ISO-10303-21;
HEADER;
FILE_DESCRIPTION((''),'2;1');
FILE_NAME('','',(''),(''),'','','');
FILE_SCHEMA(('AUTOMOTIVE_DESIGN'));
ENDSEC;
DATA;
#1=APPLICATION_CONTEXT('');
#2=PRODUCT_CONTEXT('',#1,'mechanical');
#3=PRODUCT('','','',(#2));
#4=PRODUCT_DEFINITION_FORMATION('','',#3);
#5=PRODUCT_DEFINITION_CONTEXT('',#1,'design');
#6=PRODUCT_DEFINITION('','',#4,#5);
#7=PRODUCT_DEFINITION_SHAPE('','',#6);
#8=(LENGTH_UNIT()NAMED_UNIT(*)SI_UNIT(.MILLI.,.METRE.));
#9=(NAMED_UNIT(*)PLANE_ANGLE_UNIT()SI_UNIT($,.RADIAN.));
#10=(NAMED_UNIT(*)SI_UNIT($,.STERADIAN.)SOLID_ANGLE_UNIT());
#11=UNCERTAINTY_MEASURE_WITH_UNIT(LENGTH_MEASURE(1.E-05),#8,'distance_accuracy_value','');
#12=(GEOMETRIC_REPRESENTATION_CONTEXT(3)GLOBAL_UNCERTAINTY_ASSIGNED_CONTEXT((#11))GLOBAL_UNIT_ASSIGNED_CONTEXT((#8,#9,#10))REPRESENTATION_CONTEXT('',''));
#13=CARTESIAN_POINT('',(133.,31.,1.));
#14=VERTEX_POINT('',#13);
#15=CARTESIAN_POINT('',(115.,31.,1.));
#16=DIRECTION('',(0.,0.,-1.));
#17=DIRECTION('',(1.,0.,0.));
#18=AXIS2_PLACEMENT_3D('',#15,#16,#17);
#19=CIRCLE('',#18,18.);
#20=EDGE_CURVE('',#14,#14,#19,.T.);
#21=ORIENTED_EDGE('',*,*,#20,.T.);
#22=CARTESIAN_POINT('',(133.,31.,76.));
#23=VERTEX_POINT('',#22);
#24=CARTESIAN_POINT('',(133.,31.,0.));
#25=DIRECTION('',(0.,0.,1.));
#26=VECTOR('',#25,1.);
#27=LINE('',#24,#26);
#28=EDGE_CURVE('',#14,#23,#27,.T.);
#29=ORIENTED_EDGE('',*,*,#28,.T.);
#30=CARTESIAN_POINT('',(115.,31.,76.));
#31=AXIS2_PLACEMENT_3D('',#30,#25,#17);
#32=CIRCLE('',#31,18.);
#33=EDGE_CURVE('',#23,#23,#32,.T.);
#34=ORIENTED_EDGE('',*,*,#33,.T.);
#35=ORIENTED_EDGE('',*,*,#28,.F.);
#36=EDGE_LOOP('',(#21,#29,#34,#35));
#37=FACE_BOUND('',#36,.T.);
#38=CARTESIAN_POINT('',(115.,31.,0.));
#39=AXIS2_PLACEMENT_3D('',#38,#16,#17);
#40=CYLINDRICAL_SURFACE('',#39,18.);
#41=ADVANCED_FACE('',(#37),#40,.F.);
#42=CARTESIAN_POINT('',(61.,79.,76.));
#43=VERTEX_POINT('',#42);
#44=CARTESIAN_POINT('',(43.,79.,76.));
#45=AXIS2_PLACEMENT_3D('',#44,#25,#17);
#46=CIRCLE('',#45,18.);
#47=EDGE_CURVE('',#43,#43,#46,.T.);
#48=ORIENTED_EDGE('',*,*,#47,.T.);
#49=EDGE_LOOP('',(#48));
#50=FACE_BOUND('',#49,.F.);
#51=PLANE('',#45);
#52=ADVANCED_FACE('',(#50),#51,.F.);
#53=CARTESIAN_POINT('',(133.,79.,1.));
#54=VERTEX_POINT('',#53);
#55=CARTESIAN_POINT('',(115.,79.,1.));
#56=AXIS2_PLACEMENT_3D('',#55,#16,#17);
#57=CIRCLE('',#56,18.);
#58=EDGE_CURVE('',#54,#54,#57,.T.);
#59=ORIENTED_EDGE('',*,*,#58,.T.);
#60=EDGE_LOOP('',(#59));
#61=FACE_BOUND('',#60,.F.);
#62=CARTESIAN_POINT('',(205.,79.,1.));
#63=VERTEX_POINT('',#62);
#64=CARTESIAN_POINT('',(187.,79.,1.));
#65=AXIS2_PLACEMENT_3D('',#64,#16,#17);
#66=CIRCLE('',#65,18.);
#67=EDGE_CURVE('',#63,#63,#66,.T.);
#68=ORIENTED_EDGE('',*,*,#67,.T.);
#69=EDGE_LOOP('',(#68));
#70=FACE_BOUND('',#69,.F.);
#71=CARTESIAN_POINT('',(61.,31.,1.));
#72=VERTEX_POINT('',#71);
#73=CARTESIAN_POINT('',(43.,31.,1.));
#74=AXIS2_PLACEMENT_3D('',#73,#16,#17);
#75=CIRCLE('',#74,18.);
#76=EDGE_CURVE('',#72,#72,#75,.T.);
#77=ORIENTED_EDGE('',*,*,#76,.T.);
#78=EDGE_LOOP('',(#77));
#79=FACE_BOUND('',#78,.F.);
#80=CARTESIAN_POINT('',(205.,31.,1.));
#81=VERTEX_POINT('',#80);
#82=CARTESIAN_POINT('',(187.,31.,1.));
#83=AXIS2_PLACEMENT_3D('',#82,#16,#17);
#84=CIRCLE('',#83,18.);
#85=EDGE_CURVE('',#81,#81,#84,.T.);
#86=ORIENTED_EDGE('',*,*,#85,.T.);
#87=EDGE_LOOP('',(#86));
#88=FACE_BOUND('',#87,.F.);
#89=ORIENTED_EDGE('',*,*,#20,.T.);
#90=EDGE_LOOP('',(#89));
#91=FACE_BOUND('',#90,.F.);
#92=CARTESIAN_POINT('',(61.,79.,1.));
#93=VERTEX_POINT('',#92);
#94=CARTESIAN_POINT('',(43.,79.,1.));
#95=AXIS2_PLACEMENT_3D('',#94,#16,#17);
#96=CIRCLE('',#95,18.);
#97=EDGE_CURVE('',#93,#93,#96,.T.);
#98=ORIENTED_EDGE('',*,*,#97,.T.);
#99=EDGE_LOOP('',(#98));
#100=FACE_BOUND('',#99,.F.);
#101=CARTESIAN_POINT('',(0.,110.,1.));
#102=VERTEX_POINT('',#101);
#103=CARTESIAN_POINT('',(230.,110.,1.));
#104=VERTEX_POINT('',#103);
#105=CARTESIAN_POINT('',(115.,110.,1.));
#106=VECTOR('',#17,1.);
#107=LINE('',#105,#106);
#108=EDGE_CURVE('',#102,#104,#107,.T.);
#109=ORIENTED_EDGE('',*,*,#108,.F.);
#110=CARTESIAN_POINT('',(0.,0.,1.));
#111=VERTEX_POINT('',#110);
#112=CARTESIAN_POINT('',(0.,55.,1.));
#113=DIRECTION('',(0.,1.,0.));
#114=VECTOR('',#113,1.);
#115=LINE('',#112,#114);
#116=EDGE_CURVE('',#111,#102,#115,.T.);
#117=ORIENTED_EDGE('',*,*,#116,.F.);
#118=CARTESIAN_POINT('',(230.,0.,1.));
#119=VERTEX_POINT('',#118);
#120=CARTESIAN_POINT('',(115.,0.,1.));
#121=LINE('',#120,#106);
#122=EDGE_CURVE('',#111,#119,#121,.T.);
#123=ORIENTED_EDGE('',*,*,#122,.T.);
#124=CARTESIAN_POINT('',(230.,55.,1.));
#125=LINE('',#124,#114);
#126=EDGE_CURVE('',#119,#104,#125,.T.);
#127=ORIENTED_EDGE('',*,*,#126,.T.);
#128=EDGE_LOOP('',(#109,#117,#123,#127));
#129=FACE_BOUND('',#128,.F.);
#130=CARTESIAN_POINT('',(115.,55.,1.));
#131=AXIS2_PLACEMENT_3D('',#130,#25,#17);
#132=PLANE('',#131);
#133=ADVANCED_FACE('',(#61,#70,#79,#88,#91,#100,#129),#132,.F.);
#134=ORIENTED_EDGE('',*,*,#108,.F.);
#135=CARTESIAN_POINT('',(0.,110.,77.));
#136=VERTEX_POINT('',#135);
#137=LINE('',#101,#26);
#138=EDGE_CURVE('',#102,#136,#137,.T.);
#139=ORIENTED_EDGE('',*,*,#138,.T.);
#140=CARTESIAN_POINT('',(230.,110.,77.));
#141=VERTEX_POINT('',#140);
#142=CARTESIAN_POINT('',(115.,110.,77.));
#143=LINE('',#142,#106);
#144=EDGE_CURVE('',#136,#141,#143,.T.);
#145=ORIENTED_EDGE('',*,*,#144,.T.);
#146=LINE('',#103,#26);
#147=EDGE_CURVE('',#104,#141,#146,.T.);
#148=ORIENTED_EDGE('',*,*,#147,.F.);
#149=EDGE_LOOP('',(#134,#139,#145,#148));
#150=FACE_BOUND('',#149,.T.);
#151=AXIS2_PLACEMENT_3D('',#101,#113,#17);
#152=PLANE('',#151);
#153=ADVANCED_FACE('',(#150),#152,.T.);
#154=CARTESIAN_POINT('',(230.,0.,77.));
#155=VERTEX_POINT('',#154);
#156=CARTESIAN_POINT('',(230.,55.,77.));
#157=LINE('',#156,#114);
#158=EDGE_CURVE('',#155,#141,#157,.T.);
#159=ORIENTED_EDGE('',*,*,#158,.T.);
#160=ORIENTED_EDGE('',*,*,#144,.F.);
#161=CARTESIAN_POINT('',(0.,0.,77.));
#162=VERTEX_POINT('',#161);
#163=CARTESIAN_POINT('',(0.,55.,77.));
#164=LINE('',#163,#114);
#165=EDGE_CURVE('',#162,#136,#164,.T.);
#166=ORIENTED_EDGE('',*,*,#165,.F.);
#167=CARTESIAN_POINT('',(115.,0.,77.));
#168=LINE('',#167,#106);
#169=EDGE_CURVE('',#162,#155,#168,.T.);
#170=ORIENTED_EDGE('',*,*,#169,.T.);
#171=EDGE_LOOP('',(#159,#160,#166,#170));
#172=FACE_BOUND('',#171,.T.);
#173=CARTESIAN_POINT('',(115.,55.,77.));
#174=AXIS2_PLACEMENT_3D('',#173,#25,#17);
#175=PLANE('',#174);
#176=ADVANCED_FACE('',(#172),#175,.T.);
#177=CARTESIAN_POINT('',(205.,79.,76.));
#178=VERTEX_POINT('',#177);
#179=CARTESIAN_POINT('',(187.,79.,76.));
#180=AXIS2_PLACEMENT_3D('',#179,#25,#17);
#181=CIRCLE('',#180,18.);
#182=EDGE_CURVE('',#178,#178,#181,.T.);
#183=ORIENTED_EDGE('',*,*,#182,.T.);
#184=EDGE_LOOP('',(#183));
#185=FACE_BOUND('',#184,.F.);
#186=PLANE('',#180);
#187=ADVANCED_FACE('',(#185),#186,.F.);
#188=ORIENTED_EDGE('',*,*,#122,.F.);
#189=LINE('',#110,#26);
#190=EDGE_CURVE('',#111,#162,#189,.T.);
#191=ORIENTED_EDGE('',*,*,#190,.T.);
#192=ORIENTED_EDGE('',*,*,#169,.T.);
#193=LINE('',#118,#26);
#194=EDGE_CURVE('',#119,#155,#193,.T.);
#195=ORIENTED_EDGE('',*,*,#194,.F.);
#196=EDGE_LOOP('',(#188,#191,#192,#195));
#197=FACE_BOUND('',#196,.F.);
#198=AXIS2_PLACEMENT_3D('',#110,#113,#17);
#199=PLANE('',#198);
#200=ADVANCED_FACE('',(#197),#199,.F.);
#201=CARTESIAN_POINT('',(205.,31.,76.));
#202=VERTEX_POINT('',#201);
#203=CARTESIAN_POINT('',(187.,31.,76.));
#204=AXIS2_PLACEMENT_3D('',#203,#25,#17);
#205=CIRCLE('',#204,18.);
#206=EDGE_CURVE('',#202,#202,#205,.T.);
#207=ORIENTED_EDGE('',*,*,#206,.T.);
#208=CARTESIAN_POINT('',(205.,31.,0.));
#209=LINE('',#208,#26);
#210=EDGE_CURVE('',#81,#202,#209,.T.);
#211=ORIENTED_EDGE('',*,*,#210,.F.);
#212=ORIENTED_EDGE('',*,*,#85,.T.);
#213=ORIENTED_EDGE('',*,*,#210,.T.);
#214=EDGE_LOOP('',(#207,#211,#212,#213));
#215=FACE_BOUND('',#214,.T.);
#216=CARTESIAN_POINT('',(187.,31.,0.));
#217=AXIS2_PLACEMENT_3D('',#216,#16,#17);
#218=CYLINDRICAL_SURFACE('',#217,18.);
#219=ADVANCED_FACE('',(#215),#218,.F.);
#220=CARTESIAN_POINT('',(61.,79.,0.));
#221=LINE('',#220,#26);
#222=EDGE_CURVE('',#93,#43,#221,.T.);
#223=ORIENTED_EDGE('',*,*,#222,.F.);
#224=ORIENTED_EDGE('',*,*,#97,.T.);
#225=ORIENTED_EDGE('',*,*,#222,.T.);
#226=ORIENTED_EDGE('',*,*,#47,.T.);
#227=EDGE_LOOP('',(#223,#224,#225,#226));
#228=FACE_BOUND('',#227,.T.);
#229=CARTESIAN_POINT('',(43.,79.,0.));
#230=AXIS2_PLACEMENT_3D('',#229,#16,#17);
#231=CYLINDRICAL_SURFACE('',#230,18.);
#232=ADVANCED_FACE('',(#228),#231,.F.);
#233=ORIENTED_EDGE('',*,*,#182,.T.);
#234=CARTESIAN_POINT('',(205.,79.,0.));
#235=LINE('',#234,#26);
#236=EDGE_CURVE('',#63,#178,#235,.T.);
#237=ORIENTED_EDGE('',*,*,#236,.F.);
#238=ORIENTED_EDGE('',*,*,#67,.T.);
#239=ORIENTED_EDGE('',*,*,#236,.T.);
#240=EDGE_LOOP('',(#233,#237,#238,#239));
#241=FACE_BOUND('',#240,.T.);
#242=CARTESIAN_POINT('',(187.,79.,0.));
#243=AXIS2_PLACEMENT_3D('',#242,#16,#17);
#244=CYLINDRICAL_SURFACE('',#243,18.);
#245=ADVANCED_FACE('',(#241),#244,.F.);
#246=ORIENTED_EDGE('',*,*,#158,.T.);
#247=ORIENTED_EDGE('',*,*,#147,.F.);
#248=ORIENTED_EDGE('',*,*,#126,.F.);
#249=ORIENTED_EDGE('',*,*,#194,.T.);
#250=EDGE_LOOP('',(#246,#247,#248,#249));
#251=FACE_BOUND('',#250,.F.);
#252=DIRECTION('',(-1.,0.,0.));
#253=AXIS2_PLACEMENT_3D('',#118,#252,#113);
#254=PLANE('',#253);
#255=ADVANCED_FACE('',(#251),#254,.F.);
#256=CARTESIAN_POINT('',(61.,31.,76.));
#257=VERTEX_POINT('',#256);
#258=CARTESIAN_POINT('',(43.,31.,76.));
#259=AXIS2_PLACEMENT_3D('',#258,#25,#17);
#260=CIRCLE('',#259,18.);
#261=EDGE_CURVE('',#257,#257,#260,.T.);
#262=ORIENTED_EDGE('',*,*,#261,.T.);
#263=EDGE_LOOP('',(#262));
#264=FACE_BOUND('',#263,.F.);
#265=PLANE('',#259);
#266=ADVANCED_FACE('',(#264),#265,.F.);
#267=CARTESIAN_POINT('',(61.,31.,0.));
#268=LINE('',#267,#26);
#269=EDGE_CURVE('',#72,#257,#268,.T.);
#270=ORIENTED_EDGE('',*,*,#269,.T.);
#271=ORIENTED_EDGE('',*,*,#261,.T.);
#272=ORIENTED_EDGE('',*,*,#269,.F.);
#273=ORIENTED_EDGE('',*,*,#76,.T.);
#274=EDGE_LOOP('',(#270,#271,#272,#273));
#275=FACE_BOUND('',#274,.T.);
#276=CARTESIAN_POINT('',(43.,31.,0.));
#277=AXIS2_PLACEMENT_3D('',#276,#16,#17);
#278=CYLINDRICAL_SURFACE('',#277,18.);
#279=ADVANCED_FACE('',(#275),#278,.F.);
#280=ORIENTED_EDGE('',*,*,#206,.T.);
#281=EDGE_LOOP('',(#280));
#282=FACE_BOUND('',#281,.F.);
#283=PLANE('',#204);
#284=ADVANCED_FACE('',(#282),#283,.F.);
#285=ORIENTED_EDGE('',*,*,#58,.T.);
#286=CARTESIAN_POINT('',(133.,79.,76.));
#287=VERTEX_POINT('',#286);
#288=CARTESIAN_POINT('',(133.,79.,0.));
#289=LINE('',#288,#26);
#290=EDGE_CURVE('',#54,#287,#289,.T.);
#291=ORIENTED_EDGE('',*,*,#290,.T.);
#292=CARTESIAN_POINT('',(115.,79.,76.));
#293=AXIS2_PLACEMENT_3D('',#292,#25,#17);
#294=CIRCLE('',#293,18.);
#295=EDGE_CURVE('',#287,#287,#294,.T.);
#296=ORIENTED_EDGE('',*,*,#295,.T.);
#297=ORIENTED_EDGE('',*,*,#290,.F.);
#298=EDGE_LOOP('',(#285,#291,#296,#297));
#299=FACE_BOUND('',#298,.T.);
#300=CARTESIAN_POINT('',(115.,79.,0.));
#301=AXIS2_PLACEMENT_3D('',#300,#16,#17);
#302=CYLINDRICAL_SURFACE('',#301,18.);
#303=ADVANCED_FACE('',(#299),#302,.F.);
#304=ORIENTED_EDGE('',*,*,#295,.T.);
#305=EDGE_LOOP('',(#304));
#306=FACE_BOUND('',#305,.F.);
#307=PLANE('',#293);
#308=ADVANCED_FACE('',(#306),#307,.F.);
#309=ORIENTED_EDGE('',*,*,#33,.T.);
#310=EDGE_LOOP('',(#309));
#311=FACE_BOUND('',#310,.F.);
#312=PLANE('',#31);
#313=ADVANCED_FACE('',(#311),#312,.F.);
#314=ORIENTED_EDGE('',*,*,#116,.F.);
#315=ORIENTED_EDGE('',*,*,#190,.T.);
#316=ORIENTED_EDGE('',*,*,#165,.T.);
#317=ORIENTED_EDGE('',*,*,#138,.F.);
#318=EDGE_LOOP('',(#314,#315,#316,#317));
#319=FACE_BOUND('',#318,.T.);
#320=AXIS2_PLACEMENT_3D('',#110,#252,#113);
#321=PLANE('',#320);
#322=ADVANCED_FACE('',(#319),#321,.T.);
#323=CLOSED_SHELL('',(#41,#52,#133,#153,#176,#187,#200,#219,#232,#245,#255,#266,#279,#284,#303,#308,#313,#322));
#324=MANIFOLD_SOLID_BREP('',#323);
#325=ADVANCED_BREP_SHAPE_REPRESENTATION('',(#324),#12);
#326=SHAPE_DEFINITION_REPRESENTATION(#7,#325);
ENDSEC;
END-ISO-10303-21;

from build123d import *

# Parameters (mm, degrees)
CYLINDER001_R     = 18
CYLINDER001_DEPTH = 76
CYLINDER002_R     = 18
CYLINDER002_DEPTH = 76
CYLINDER003_R     = 18
CYLINDER003_DEPTH = 76
CYLINDER004_R     = 18
CYLINDER004_DEPTH = 76
CYLINDER005_R     = 18
CYLINDER005_DEPTH = 76
CYLINDER_R        = 18
CYLINDER_DEPTH    = 76
BOX_W             = 230
BOX_H             = 110
BOX_DEPTH         = 76


with BuildPart() as cylinder001:
    # Cylinder001 → Cylinder001 (new body)
    with BuildSketch(Plane(origin=(115, 31, 0), x_dir=(1, 0, 0), z_dir=(0, 0, 1))):
        Circle(CYLINDER001_R)
    extrude(amount=CYLINDER001_DEPTH)


with BuildPart() as cylinder002:
    # Cylinder002 → Cylinder002 (new body)
    with BuildSketch(Plane(origin=(187, 31, 0), x_dir=(1, 0, 0), z_dir=(0, 0, 1))):
        Circle(CYLINDER002_R)
    extrude(amount=CYLINDER002_DEPTH)


with BuildPart() as cylinder003:
    # Cylinder003 → Cylinder003 (new body)
    with BuildSketch(Plane(origin=(187, 79, 0), x_dir=(1, 0, 0), z_dir=(0, 0, 1))):
        Circle(CYLINDER003_R)
    extrude(amount=CYLINDER003_DEPTH)


with BuildPart() as cylinder004:
    # Cylinder004 → Cylinder004 (new body)
    with BuildSketch(Plane(origin=(115, 79, 0), x_dir=(1, 0, 0), z_dir=(0, 0, 1))):
        Circle(CYLINDER004_R)
    extrude(amount=CYLINDER004_DEPTH)


with BuildPart() as cylinder005:
    # Cylinder005 → Cylinder005 (new body)
    with BuildSketch(Plane(origin=(43, 79, 0), x_dir=(1, 0, 0), z_dir=(0, 0, 1))):
        Circle(CYLINDER005_R)
    extrude(amount=CYLINDER005_DEPTH)


with BuildPart() as forats:
    # Cylinder → Cylinder (new body)
    with BuildSketch(Plane(origin=(43, 31, 0), x_dir=(1, 0, 0), z_dir=(0, 0, 1))):
        Circle(CYLINDER_R)
    extrude(amount=CYLINDER_DEPTH)

    # Fusion: union Cylinder001, Cylinder002, Cylinder003, Cylinder004, Cylinder005
    add(cylinder001.part)
    add(cylinder002.part)
    add(cylinder003.part)
    add(cylinder004.part)
    add(cylinder005.part)


with BuildPart() as totxo:
    # Box → Box (new body)
    with BuildSketch(Plane.XY.offset(1)):
        with Locations((115, 55)):
            Rectangle(BOX_W, BOX_H)
    extrude(amount=BOX_DEPTH)

    # Cut: cut Forats
    add(forats.part, mode=Mode.SUBTRACT)


solid = totxo.part
